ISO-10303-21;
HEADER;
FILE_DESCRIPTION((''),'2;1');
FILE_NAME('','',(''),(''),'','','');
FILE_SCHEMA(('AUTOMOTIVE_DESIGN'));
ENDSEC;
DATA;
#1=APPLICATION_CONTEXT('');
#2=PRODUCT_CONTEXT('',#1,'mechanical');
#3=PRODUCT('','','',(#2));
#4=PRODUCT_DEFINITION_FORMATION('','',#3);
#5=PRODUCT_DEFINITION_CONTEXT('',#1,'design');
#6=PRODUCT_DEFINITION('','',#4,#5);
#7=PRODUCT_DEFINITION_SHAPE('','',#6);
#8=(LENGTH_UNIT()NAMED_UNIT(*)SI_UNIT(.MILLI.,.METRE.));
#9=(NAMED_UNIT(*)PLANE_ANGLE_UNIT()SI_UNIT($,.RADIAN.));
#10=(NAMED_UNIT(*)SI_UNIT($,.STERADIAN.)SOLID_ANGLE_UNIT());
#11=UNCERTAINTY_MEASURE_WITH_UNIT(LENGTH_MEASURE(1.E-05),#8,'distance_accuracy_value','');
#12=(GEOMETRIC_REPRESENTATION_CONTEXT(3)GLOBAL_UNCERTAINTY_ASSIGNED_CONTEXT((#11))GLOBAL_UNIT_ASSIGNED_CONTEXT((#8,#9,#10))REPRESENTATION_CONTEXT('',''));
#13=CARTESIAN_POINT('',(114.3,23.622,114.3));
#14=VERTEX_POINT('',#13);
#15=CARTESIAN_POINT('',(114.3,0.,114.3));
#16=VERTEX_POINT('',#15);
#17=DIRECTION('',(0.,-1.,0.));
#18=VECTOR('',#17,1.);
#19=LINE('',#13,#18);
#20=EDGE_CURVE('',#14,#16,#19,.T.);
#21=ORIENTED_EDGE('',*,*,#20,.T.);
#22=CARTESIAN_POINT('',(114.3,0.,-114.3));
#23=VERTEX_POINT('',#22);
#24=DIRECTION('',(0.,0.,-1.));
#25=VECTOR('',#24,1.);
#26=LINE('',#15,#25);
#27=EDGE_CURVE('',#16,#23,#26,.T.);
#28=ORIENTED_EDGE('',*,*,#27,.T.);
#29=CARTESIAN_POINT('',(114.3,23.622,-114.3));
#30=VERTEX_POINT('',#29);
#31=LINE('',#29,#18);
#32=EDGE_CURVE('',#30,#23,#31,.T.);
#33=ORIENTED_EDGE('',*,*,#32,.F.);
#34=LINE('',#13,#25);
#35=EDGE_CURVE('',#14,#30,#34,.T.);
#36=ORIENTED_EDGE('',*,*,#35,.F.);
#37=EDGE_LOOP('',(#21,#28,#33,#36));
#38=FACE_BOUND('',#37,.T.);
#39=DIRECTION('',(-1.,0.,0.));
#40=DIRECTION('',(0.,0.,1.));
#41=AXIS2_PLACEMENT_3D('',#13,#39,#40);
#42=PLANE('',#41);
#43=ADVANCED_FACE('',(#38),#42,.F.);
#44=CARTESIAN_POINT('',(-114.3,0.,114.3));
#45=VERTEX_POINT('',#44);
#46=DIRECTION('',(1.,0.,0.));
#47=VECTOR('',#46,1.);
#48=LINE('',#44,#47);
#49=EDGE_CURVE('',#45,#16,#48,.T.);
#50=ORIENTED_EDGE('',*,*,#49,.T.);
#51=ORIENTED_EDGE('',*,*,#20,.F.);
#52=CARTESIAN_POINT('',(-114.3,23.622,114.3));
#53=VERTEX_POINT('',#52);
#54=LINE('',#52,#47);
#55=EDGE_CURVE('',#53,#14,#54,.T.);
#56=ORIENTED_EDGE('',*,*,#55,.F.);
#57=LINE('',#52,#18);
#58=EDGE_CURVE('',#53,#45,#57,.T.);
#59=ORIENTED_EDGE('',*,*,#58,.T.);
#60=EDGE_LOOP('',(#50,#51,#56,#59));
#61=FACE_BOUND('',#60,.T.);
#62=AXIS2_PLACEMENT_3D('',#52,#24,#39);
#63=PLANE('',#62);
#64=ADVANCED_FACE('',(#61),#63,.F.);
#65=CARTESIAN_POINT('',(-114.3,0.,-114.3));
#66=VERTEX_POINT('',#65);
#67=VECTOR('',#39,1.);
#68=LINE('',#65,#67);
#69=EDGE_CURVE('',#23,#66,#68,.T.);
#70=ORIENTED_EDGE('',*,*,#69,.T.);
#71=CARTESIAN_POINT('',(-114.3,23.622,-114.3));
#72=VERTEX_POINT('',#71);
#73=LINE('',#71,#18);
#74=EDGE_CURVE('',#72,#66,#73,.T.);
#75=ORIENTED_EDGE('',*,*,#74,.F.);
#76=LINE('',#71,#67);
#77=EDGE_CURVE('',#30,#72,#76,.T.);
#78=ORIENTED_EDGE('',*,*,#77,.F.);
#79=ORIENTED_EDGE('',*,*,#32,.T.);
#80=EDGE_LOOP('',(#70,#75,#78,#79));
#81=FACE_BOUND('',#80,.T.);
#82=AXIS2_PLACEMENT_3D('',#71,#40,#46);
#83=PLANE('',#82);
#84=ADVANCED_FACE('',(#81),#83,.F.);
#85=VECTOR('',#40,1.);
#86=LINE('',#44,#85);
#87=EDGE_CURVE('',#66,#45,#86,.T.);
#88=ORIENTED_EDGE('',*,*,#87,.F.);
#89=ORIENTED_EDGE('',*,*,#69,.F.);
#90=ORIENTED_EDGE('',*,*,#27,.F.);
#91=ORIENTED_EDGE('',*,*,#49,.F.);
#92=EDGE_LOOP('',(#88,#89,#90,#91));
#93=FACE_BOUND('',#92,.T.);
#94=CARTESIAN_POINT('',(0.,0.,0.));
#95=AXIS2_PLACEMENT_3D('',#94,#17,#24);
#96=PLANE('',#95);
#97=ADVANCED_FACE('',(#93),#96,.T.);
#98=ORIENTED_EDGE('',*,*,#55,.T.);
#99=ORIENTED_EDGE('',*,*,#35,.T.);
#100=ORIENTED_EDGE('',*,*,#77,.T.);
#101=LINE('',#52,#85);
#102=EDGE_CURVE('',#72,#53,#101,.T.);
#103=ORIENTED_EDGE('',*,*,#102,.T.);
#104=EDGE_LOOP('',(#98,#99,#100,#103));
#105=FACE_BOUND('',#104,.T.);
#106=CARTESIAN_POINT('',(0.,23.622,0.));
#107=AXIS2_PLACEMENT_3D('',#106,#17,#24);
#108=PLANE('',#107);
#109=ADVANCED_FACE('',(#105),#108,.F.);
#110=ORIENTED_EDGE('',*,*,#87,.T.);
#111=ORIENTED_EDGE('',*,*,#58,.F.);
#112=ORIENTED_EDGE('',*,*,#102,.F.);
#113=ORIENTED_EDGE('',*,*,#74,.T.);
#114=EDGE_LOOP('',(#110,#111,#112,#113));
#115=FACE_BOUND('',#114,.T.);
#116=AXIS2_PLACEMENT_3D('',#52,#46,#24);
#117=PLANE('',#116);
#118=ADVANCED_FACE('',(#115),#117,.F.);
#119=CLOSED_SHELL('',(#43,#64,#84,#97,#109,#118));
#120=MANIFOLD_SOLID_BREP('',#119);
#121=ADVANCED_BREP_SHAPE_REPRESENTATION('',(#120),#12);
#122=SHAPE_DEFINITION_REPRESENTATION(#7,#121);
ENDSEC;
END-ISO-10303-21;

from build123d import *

# Parameters (mm, degrees)
SKETCH2_W           = 228.6
SKETCH2_H           = 228.6
BOSS_EXTRUDE1_DEPTH = 23.622


with BuildPart() as part:
    # Sketch2 → Boss-Extrude1 (new body)
    with BuildSketch(Plane(origin=(0, 0, 0), x_dir=(1, 0, 0), z_dir=(0, 1, 0))):
        Rectangle(SKETCH2_W, SKETCH2_H)
    extrude(amount=BOSS_EXTRUDE1_DEPTH)


solid = part.part
